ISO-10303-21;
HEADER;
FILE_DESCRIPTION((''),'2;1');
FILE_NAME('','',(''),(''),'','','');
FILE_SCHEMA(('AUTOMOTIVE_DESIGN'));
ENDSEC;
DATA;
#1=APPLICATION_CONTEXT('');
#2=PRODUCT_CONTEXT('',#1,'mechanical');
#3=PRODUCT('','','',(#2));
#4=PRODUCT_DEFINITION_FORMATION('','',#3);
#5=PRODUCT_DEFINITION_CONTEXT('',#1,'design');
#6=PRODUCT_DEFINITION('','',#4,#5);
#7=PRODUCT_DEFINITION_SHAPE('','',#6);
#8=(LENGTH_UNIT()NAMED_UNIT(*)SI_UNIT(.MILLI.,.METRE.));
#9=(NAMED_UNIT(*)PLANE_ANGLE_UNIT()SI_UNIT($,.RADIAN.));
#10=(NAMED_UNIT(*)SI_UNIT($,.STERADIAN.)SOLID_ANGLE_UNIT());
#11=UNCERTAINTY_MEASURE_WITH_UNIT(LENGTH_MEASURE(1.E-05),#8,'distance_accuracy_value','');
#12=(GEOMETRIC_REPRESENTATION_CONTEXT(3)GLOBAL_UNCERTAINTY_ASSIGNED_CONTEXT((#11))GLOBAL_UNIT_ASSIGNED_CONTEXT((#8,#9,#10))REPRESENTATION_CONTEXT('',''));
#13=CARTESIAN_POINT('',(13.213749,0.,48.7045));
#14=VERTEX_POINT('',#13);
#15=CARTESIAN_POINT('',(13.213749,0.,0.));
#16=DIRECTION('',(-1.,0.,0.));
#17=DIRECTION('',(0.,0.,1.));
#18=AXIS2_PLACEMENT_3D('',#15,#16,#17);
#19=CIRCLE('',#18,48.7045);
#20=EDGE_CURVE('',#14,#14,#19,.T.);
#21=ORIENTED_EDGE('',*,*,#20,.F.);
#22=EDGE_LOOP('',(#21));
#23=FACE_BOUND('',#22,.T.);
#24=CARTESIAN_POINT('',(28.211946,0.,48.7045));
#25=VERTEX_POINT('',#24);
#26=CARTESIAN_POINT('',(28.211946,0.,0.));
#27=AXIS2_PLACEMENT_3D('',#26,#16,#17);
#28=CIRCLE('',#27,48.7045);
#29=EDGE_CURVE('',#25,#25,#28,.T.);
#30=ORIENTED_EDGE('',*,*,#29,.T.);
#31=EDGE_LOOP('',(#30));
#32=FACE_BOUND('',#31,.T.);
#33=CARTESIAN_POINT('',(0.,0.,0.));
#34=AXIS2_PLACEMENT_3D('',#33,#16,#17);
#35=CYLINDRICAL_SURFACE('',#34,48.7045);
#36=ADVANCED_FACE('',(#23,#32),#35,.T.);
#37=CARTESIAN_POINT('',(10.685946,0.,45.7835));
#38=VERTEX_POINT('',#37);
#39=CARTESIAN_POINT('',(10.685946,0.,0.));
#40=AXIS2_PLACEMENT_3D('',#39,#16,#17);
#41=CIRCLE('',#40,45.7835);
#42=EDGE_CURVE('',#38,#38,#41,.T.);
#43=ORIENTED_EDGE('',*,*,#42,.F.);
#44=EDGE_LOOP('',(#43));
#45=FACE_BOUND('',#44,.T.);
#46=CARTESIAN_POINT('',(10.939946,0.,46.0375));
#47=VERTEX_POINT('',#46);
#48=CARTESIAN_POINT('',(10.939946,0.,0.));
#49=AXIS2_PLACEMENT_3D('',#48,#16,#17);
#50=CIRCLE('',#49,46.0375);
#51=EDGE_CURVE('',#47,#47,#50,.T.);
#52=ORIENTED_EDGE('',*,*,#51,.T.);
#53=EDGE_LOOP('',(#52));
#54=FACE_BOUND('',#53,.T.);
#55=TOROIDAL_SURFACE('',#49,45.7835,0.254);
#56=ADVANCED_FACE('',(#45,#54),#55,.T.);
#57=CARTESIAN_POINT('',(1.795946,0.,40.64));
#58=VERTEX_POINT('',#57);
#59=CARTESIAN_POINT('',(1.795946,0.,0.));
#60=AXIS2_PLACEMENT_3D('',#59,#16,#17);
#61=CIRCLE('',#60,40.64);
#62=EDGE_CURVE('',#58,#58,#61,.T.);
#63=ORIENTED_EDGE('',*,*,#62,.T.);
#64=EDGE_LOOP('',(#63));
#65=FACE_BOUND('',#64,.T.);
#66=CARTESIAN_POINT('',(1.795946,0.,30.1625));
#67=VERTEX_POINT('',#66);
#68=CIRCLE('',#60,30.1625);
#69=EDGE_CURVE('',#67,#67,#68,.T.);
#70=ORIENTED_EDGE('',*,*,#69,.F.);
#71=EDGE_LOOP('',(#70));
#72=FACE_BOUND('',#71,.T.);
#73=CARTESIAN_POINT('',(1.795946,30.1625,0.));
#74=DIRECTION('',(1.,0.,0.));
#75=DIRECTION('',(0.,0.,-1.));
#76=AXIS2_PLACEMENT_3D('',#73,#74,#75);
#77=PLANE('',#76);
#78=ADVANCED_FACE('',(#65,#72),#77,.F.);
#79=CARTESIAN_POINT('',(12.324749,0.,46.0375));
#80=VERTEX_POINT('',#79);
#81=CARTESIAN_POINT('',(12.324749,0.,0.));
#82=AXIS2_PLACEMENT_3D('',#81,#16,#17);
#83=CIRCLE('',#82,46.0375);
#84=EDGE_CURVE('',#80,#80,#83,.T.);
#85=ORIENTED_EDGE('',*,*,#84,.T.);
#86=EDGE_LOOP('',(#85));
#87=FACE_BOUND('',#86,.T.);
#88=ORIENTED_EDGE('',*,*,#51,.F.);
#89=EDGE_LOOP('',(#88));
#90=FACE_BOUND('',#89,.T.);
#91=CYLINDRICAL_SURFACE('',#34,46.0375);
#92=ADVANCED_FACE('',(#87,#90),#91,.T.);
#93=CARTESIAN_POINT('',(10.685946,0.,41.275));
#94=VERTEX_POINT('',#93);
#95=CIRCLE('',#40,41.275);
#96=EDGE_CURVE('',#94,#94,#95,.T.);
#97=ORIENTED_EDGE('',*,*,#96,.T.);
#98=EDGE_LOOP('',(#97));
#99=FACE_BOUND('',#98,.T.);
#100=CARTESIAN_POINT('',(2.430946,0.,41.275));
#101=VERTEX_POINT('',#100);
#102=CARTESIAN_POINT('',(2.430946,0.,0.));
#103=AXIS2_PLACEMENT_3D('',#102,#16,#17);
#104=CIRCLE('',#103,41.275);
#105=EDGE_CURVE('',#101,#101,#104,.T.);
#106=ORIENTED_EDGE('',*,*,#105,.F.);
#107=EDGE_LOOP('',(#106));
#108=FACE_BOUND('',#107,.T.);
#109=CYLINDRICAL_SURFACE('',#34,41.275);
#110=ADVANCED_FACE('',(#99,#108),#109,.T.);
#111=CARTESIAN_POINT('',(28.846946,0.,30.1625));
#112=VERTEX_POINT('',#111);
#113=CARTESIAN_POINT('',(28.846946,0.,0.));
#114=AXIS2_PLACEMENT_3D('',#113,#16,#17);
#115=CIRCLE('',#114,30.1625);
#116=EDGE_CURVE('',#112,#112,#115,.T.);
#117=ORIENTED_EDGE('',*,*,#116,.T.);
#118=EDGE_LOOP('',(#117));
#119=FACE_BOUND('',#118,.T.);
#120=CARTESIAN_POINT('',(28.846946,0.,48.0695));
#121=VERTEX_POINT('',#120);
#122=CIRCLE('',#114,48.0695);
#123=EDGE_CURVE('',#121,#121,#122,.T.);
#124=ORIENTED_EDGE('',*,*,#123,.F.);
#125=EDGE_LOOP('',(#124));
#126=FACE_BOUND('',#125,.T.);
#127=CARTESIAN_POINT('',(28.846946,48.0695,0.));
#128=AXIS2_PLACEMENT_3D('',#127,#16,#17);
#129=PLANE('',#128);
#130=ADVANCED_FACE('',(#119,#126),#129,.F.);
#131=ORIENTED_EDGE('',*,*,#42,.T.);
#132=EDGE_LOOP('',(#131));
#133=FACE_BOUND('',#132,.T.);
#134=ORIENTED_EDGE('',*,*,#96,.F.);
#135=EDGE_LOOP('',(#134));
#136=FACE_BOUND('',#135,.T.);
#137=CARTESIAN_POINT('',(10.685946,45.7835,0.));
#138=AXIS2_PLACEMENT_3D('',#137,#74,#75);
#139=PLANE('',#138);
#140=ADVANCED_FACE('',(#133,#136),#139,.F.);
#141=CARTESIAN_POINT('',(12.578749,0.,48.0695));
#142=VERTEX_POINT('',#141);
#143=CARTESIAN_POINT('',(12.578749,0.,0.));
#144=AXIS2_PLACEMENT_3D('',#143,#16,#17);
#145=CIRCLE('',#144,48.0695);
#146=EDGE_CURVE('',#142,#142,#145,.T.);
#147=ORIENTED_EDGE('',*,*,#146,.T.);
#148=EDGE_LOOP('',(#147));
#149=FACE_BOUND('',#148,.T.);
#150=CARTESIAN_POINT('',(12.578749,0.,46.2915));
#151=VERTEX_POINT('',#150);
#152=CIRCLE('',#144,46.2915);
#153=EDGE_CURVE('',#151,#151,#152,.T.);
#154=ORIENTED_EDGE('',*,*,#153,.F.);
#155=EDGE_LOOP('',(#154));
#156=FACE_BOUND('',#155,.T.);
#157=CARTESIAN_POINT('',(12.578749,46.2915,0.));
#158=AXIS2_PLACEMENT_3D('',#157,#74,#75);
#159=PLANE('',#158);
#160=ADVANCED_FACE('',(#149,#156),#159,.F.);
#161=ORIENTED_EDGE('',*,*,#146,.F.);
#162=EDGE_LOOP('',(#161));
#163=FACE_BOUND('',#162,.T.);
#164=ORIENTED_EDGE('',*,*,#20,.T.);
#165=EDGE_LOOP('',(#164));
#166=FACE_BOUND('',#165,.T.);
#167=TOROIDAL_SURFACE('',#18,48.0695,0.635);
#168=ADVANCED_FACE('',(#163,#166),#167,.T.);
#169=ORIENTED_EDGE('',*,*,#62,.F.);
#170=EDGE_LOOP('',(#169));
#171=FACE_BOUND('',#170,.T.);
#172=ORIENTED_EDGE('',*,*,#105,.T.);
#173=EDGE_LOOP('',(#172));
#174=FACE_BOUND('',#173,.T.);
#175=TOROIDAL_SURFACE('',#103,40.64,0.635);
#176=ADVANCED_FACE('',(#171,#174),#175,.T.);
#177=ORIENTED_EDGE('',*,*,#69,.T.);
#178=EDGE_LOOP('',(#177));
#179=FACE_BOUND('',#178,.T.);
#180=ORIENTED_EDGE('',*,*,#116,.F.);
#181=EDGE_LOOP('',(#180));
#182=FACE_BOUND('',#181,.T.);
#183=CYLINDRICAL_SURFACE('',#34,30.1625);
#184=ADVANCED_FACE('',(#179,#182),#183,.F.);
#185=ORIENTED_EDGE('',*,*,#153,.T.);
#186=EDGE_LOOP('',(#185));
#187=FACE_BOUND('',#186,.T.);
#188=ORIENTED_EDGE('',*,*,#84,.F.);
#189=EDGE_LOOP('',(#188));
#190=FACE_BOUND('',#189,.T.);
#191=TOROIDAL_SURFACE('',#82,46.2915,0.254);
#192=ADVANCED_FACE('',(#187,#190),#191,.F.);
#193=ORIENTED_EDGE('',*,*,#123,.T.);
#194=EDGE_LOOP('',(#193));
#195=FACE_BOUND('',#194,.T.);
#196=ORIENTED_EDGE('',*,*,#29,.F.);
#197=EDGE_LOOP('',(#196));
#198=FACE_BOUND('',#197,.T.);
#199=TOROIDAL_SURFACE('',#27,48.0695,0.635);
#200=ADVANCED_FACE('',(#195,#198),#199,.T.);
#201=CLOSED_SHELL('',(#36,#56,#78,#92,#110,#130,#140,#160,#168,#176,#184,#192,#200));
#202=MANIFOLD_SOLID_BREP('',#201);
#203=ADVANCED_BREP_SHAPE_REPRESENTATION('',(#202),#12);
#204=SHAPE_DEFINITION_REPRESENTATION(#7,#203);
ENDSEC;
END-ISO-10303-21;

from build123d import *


with BuildPart() as part:
    # Sketch1 → Revolve1 (revolve)
    with BuildSketch(Plane.XY, mode=Mode.PRIVATE) as revolve1_sk:
        with BuildLine():
            Line((1.795946189, 30.1625), (1.795946189, 40.64))
            ThreePointArc((1.795946189, 40.64), (1.981933383, 41.089012806), (2.430946189, 41.275))
            Line((2.430946189, 41.275), (10.685946189, 41.275))
            Line((10.685946189, 41.275), (10.685946189, 45.7835))
            ThreePointArc((10.685946189, 45.7835), (10.760341067, 45.963105122), (10.939946189, 46.0375))
            Line((10.939946189, 46.0375), (12.324748868, 46.0375))
            ThreePointArc((12.324748868, 46.0375), (12.50435399, 46.111894878), (12.578748868, 46.2915))
            Line((12.578748868, 46.2915), (12.578748868, 48.0695))
            ThreePointArc((12.578748868, 48.0695), (12.764736062, 48.518512806), (13.213748868, 48.7045))
            Line((13.213748868, 48.7045), (28.211946189, 48.7045))
            ThreePointArc((28.211946189, 48.7045), (28.660958995, 48.518512806), (28.846946189, 48.0695))
            Line((28.846946189, 48.0695), (28.846946189, 30.1625))
            Line((28.846946189, 30.1625), (1.795946189, 30.1625))
        make_face()
    revolve(revolve1_sk.sketch.rotate(Axis((0, 0, 0), (1, 0, 0)), 90), axis=Axis((0, 0, 0), (1, 0, 0)))


solid = part.part
